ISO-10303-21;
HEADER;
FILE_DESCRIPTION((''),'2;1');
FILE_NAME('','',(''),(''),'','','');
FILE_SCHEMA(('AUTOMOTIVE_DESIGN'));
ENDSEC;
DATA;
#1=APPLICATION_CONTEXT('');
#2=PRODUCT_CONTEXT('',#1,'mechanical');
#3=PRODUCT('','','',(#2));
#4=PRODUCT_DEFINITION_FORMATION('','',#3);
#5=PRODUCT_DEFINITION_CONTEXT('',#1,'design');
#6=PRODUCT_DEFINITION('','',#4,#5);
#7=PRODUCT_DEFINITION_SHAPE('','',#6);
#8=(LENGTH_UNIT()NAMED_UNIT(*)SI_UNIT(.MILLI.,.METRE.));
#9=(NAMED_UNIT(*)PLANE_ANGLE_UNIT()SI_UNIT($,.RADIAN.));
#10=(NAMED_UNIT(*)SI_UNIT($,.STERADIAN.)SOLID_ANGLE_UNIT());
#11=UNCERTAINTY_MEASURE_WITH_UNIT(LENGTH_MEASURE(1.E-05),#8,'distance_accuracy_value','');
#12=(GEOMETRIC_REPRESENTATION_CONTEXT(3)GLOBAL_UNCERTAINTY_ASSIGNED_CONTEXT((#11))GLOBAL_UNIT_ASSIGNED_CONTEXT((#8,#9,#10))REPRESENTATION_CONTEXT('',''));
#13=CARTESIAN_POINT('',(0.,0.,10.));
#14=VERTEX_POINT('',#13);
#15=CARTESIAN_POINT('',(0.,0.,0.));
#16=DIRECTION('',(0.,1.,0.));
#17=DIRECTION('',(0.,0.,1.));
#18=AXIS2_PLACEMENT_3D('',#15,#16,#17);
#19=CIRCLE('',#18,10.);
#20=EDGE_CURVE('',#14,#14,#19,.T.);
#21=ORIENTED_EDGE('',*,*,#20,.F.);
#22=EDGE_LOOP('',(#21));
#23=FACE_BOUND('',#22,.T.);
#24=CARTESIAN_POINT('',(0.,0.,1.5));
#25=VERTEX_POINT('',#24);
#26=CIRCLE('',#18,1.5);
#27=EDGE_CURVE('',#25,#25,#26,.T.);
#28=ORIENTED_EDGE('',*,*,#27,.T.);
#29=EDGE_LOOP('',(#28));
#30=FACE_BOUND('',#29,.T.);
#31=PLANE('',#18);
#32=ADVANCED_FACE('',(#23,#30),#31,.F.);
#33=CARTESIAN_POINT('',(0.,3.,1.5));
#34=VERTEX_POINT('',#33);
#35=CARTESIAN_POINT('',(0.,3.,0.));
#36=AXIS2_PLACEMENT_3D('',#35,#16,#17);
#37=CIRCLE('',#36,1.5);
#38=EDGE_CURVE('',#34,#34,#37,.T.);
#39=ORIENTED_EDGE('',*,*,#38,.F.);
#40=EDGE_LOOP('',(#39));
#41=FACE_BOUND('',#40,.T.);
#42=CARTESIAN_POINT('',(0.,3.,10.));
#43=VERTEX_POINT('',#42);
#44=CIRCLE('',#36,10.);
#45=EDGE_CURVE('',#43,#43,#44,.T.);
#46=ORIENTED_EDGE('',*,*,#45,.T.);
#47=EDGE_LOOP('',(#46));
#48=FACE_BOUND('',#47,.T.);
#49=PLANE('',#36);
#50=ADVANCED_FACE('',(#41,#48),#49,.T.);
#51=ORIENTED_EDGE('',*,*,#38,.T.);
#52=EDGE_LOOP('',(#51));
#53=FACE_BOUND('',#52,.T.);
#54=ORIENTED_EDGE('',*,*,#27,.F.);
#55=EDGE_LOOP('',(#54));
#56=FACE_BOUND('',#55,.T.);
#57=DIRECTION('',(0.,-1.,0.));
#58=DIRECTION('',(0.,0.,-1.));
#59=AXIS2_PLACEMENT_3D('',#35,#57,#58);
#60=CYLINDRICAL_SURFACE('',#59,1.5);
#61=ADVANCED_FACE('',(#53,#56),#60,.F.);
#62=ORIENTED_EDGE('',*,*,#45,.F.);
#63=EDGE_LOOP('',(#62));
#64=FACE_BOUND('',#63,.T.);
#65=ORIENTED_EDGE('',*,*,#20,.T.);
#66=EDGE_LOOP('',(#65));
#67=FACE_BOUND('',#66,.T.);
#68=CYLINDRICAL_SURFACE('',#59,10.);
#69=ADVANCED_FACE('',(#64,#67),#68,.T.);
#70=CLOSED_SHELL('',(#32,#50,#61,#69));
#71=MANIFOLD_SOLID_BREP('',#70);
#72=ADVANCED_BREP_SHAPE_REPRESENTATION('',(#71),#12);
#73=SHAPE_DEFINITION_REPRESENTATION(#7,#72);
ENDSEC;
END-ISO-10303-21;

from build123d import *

# Parameters (mm, degrees)
SKETCH1_R           = 10
SKETCH1_R_2         = 1.5
BOSS_EXTRUDE1_DEPTH = 3


with BuildPart() as part:
    # Sketch1 → Boss-Extrude1 (new body)
    with BuildSketch(Plane(origin=(0, 0, 0), x_dir=(1, 0, 0), z_dir=(0, 1, 0))):
        Circle(SKETCH1_R)
        Circle(SKETCH1_R_2, mode=Mode.SUBTRACT)
    extrude(amount=BOSS_EXTRUDE1_DEPTH)


solid = part.part
